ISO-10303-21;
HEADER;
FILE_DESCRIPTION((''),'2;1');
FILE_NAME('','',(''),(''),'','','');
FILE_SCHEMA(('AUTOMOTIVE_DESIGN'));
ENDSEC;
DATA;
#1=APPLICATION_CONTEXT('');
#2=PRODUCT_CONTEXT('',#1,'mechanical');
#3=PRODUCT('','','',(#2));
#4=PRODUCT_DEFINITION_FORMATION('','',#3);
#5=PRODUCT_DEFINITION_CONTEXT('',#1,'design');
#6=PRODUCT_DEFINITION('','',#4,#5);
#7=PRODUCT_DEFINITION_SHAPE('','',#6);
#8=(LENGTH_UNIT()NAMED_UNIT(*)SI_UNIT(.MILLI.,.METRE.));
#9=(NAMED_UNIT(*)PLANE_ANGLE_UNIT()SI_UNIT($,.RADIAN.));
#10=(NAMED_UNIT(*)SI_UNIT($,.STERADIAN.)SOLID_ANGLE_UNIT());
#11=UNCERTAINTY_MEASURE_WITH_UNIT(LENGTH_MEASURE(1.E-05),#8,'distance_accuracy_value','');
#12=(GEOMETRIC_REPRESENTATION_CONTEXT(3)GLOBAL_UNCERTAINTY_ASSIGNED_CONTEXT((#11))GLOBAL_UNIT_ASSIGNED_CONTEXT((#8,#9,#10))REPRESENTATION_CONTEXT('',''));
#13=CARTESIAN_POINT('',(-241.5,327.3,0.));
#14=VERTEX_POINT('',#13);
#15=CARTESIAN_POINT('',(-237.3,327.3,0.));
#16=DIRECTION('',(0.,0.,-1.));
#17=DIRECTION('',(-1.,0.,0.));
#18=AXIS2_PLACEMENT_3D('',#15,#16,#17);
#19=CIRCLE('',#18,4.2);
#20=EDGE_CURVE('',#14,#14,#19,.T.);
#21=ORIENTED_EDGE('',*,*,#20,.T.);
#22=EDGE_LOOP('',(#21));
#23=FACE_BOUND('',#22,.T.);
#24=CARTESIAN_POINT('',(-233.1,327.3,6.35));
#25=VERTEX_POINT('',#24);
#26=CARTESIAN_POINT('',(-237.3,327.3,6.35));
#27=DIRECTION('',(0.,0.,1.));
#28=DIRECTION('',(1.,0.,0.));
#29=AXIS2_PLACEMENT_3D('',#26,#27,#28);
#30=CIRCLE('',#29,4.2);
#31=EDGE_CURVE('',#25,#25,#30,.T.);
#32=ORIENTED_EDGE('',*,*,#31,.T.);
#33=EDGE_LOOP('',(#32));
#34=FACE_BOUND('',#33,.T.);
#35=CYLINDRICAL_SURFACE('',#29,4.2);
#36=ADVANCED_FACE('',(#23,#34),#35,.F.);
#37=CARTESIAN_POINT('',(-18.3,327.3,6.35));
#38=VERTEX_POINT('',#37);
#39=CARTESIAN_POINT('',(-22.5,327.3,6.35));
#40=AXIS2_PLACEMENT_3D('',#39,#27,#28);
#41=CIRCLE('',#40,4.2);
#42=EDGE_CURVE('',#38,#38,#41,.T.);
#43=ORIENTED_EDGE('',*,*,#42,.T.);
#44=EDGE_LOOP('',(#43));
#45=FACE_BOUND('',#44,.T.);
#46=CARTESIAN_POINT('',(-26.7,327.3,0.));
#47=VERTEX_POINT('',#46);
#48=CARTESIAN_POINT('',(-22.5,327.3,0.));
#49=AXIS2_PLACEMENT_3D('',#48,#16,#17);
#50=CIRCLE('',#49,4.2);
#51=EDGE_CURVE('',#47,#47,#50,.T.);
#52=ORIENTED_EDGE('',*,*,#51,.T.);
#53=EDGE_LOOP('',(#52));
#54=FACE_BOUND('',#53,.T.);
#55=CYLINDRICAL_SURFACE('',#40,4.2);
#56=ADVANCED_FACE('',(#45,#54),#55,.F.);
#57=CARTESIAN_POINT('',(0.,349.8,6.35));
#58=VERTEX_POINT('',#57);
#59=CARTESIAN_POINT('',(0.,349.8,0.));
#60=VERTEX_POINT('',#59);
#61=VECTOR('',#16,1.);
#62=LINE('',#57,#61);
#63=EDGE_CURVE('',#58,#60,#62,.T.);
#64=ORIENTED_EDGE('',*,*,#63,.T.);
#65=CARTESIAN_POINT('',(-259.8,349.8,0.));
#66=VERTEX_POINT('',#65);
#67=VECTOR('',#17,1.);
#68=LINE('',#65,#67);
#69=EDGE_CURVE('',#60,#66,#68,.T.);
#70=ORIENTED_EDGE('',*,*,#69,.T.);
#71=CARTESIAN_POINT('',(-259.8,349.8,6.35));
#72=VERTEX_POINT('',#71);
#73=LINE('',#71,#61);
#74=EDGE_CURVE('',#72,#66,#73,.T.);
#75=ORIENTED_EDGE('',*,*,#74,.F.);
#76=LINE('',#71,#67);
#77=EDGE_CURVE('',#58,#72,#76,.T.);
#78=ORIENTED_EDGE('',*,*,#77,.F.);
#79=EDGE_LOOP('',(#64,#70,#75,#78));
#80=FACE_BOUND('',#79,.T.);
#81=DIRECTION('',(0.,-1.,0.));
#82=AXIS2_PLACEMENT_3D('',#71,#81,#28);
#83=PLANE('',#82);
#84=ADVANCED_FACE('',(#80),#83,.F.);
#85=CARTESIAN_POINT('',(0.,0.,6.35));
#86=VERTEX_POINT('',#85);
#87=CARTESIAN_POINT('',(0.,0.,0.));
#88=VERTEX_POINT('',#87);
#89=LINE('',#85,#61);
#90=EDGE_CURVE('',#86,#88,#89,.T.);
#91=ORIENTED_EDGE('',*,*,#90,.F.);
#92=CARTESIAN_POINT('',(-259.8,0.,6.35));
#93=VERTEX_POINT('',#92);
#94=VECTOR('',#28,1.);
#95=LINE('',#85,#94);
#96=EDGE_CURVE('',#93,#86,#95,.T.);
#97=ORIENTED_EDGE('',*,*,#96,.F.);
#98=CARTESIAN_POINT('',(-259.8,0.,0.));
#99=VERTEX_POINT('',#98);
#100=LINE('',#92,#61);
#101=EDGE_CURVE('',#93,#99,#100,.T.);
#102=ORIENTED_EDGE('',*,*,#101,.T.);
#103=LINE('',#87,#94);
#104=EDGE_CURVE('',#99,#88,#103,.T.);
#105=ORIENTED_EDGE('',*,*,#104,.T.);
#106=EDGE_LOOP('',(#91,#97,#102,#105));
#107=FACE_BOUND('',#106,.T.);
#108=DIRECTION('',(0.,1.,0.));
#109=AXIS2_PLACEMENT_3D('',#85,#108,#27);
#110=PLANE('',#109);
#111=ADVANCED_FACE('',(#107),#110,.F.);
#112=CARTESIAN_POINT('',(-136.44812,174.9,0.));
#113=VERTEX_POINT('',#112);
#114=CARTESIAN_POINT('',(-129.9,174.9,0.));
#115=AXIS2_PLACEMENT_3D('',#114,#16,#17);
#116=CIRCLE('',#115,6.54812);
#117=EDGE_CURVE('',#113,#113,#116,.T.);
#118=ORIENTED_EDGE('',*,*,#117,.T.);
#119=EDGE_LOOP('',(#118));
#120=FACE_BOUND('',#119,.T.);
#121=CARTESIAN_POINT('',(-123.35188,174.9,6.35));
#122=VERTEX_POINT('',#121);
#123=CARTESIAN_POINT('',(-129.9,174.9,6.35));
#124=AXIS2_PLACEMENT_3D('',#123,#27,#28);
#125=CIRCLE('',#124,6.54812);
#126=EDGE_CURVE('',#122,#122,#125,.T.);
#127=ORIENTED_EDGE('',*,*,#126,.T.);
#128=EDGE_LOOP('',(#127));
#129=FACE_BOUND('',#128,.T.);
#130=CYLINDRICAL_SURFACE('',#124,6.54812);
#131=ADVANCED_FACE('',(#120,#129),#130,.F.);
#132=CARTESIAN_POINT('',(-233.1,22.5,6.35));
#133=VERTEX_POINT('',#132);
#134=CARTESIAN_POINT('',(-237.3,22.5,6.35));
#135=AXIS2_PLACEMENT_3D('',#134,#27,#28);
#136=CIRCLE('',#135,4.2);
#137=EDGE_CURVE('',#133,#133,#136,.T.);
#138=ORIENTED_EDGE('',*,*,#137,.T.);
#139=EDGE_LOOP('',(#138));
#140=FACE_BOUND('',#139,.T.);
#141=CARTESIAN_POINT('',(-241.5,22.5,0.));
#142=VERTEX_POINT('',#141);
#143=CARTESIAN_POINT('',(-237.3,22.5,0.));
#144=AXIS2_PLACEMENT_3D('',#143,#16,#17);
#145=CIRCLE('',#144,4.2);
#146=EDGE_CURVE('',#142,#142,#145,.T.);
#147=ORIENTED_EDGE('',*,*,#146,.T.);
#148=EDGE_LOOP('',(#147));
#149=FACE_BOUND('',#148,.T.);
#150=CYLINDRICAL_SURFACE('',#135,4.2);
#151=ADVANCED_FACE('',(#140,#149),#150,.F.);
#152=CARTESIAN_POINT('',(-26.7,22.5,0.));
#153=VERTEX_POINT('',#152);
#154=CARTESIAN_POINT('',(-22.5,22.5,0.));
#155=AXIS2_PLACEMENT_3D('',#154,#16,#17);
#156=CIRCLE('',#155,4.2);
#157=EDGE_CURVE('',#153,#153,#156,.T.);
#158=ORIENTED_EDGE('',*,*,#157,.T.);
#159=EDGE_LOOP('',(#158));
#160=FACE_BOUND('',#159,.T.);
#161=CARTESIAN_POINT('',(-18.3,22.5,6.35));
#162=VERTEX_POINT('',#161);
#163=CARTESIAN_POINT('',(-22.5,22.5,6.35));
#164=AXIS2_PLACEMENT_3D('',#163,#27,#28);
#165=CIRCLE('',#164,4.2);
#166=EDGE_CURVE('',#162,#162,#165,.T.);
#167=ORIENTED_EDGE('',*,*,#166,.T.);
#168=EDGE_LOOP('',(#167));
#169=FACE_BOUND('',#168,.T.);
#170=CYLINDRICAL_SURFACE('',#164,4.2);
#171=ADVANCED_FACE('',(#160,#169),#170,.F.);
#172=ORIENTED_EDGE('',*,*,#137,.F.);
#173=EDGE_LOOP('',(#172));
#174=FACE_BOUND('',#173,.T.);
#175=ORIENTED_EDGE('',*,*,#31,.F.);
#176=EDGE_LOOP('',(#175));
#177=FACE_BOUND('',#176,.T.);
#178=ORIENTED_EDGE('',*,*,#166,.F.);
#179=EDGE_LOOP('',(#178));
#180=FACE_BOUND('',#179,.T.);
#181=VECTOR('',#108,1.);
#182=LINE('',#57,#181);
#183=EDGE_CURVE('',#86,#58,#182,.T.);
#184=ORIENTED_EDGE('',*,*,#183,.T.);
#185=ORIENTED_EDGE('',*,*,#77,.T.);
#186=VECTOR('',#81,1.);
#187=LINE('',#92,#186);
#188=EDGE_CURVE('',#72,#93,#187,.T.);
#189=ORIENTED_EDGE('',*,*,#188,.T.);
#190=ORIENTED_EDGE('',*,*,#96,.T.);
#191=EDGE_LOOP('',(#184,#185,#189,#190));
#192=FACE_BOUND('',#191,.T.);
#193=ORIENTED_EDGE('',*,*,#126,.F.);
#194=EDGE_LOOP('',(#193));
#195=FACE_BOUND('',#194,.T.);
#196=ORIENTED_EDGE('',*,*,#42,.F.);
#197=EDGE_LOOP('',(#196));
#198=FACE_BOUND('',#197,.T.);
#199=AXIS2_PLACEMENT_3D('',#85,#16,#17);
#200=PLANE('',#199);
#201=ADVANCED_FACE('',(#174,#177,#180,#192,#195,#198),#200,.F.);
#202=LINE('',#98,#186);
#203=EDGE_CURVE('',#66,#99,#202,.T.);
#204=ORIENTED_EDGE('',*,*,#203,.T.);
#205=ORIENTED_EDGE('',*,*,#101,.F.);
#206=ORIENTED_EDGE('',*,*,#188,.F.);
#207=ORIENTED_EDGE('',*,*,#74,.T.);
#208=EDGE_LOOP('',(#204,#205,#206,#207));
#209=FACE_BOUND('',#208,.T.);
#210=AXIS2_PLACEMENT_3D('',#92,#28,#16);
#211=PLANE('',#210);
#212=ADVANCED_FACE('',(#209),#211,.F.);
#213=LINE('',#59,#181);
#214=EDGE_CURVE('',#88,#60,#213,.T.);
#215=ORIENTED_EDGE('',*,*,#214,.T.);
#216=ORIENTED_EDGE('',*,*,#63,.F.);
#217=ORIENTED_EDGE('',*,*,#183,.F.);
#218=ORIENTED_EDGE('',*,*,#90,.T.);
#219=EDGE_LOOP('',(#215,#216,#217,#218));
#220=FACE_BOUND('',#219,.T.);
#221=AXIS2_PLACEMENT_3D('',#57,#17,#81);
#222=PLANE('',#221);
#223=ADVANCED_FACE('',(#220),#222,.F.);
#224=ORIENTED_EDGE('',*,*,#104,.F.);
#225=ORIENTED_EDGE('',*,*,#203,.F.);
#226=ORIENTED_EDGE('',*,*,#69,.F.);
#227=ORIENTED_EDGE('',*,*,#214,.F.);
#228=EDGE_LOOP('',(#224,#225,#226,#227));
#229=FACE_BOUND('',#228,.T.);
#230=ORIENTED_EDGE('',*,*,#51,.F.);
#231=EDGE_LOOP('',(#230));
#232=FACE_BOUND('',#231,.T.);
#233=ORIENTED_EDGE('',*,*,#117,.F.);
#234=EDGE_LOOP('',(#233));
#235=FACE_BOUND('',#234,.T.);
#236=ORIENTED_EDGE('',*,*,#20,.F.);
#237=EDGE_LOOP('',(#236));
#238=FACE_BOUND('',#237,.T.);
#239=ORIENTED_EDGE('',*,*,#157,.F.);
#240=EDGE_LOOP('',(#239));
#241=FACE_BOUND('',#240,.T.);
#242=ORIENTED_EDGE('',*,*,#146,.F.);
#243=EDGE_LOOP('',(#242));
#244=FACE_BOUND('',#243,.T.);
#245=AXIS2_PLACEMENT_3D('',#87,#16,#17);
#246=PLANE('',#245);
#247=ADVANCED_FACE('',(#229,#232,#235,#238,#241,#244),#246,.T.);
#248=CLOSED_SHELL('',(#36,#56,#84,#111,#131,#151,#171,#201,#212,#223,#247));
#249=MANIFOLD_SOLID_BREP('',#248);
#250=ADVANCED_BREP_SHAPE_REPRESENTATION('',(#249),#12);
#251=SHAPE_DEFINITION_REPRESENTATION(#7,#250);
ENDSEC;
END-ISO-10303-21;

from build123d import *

# Parameters (mm, degrees)
SKETCH1_W                   = 259.8
SKETCH1_H                   = 349.8
BOSS_EXTRUDE1_DEPTH         = 6.35
F_1_2_CLEARANCE_HOLE1_D     = 13.09624
F_1_2_CLEARANCE_HOLE1_DEPTH = 22.352
F_1_2_CLEARANCE_HOLE1_TIP   = 3.934507437
M8_CLEARANCE_HOLE1_D        = 8.4
M8_CLEARANCE_HOLE1_DEPTH    = 76.2
M8_CLEARANCE_HOLE1_TIP      = 2.5236146


with BuildPart() as part:
    # Sketch1 → Boss-Extrude1 (new body)
    with BuildSketch(Plane.XY):
        with Locations((-129.9, 174.9)):
            Rectangle(SKETCH1_W, SKETCH1_H)
    extrude(amount=BOSS_EXTRUDE1_DEPTH)

    # 1/2 Clearance Hole1
    with Locations(Plane.XY.offset(6.35)):
        with Locations((-129.9, 174.9)):
            Hole(F_1_2_CLEARANCE_HOLE1_D / 2, depth=F_1_2_CLEARANCE_HOLE1_DEPTH)
            with Locations((0, 0, -(F_1_2_CLEARANCE_HOLE1_DEPTH + F_1_2_CLEARANCE_HOLE1_TIP / 2))):  # 118° drill point
                Cone(0, F_1_2_CLEARANCE_HOLE1_D / 2, F_1_2_CLEARANCE_HOLE1_TIP, mode=Mode.SUBTRACT)

    # M8 Clearance Hole1
    with Locations(Plane.XY.offset(6.35)):
        with Locations((-237.3, 327.3), (-22.5, 327.3), (-22.5, 22.5), (-237.3, 22.5)):
            Hole(M8_CLEARANCE_HOLE1_D / 2, depth=M8_CLEARANCE_HOLE1_DEPTH)
            with Locations((0, 0, -(M8_CLEARANCE_HOLE1_DEPTH + M8_CLEARANCE_HOLE1_TIP / 2))):  # 118° drill point
                Cone(0, M8_CLEARANCE_HOLE1_D / 2, M8_CLEARANCE_HOLE1_TIP, mode=Mode.SUBTRACT)


solid = part.part
